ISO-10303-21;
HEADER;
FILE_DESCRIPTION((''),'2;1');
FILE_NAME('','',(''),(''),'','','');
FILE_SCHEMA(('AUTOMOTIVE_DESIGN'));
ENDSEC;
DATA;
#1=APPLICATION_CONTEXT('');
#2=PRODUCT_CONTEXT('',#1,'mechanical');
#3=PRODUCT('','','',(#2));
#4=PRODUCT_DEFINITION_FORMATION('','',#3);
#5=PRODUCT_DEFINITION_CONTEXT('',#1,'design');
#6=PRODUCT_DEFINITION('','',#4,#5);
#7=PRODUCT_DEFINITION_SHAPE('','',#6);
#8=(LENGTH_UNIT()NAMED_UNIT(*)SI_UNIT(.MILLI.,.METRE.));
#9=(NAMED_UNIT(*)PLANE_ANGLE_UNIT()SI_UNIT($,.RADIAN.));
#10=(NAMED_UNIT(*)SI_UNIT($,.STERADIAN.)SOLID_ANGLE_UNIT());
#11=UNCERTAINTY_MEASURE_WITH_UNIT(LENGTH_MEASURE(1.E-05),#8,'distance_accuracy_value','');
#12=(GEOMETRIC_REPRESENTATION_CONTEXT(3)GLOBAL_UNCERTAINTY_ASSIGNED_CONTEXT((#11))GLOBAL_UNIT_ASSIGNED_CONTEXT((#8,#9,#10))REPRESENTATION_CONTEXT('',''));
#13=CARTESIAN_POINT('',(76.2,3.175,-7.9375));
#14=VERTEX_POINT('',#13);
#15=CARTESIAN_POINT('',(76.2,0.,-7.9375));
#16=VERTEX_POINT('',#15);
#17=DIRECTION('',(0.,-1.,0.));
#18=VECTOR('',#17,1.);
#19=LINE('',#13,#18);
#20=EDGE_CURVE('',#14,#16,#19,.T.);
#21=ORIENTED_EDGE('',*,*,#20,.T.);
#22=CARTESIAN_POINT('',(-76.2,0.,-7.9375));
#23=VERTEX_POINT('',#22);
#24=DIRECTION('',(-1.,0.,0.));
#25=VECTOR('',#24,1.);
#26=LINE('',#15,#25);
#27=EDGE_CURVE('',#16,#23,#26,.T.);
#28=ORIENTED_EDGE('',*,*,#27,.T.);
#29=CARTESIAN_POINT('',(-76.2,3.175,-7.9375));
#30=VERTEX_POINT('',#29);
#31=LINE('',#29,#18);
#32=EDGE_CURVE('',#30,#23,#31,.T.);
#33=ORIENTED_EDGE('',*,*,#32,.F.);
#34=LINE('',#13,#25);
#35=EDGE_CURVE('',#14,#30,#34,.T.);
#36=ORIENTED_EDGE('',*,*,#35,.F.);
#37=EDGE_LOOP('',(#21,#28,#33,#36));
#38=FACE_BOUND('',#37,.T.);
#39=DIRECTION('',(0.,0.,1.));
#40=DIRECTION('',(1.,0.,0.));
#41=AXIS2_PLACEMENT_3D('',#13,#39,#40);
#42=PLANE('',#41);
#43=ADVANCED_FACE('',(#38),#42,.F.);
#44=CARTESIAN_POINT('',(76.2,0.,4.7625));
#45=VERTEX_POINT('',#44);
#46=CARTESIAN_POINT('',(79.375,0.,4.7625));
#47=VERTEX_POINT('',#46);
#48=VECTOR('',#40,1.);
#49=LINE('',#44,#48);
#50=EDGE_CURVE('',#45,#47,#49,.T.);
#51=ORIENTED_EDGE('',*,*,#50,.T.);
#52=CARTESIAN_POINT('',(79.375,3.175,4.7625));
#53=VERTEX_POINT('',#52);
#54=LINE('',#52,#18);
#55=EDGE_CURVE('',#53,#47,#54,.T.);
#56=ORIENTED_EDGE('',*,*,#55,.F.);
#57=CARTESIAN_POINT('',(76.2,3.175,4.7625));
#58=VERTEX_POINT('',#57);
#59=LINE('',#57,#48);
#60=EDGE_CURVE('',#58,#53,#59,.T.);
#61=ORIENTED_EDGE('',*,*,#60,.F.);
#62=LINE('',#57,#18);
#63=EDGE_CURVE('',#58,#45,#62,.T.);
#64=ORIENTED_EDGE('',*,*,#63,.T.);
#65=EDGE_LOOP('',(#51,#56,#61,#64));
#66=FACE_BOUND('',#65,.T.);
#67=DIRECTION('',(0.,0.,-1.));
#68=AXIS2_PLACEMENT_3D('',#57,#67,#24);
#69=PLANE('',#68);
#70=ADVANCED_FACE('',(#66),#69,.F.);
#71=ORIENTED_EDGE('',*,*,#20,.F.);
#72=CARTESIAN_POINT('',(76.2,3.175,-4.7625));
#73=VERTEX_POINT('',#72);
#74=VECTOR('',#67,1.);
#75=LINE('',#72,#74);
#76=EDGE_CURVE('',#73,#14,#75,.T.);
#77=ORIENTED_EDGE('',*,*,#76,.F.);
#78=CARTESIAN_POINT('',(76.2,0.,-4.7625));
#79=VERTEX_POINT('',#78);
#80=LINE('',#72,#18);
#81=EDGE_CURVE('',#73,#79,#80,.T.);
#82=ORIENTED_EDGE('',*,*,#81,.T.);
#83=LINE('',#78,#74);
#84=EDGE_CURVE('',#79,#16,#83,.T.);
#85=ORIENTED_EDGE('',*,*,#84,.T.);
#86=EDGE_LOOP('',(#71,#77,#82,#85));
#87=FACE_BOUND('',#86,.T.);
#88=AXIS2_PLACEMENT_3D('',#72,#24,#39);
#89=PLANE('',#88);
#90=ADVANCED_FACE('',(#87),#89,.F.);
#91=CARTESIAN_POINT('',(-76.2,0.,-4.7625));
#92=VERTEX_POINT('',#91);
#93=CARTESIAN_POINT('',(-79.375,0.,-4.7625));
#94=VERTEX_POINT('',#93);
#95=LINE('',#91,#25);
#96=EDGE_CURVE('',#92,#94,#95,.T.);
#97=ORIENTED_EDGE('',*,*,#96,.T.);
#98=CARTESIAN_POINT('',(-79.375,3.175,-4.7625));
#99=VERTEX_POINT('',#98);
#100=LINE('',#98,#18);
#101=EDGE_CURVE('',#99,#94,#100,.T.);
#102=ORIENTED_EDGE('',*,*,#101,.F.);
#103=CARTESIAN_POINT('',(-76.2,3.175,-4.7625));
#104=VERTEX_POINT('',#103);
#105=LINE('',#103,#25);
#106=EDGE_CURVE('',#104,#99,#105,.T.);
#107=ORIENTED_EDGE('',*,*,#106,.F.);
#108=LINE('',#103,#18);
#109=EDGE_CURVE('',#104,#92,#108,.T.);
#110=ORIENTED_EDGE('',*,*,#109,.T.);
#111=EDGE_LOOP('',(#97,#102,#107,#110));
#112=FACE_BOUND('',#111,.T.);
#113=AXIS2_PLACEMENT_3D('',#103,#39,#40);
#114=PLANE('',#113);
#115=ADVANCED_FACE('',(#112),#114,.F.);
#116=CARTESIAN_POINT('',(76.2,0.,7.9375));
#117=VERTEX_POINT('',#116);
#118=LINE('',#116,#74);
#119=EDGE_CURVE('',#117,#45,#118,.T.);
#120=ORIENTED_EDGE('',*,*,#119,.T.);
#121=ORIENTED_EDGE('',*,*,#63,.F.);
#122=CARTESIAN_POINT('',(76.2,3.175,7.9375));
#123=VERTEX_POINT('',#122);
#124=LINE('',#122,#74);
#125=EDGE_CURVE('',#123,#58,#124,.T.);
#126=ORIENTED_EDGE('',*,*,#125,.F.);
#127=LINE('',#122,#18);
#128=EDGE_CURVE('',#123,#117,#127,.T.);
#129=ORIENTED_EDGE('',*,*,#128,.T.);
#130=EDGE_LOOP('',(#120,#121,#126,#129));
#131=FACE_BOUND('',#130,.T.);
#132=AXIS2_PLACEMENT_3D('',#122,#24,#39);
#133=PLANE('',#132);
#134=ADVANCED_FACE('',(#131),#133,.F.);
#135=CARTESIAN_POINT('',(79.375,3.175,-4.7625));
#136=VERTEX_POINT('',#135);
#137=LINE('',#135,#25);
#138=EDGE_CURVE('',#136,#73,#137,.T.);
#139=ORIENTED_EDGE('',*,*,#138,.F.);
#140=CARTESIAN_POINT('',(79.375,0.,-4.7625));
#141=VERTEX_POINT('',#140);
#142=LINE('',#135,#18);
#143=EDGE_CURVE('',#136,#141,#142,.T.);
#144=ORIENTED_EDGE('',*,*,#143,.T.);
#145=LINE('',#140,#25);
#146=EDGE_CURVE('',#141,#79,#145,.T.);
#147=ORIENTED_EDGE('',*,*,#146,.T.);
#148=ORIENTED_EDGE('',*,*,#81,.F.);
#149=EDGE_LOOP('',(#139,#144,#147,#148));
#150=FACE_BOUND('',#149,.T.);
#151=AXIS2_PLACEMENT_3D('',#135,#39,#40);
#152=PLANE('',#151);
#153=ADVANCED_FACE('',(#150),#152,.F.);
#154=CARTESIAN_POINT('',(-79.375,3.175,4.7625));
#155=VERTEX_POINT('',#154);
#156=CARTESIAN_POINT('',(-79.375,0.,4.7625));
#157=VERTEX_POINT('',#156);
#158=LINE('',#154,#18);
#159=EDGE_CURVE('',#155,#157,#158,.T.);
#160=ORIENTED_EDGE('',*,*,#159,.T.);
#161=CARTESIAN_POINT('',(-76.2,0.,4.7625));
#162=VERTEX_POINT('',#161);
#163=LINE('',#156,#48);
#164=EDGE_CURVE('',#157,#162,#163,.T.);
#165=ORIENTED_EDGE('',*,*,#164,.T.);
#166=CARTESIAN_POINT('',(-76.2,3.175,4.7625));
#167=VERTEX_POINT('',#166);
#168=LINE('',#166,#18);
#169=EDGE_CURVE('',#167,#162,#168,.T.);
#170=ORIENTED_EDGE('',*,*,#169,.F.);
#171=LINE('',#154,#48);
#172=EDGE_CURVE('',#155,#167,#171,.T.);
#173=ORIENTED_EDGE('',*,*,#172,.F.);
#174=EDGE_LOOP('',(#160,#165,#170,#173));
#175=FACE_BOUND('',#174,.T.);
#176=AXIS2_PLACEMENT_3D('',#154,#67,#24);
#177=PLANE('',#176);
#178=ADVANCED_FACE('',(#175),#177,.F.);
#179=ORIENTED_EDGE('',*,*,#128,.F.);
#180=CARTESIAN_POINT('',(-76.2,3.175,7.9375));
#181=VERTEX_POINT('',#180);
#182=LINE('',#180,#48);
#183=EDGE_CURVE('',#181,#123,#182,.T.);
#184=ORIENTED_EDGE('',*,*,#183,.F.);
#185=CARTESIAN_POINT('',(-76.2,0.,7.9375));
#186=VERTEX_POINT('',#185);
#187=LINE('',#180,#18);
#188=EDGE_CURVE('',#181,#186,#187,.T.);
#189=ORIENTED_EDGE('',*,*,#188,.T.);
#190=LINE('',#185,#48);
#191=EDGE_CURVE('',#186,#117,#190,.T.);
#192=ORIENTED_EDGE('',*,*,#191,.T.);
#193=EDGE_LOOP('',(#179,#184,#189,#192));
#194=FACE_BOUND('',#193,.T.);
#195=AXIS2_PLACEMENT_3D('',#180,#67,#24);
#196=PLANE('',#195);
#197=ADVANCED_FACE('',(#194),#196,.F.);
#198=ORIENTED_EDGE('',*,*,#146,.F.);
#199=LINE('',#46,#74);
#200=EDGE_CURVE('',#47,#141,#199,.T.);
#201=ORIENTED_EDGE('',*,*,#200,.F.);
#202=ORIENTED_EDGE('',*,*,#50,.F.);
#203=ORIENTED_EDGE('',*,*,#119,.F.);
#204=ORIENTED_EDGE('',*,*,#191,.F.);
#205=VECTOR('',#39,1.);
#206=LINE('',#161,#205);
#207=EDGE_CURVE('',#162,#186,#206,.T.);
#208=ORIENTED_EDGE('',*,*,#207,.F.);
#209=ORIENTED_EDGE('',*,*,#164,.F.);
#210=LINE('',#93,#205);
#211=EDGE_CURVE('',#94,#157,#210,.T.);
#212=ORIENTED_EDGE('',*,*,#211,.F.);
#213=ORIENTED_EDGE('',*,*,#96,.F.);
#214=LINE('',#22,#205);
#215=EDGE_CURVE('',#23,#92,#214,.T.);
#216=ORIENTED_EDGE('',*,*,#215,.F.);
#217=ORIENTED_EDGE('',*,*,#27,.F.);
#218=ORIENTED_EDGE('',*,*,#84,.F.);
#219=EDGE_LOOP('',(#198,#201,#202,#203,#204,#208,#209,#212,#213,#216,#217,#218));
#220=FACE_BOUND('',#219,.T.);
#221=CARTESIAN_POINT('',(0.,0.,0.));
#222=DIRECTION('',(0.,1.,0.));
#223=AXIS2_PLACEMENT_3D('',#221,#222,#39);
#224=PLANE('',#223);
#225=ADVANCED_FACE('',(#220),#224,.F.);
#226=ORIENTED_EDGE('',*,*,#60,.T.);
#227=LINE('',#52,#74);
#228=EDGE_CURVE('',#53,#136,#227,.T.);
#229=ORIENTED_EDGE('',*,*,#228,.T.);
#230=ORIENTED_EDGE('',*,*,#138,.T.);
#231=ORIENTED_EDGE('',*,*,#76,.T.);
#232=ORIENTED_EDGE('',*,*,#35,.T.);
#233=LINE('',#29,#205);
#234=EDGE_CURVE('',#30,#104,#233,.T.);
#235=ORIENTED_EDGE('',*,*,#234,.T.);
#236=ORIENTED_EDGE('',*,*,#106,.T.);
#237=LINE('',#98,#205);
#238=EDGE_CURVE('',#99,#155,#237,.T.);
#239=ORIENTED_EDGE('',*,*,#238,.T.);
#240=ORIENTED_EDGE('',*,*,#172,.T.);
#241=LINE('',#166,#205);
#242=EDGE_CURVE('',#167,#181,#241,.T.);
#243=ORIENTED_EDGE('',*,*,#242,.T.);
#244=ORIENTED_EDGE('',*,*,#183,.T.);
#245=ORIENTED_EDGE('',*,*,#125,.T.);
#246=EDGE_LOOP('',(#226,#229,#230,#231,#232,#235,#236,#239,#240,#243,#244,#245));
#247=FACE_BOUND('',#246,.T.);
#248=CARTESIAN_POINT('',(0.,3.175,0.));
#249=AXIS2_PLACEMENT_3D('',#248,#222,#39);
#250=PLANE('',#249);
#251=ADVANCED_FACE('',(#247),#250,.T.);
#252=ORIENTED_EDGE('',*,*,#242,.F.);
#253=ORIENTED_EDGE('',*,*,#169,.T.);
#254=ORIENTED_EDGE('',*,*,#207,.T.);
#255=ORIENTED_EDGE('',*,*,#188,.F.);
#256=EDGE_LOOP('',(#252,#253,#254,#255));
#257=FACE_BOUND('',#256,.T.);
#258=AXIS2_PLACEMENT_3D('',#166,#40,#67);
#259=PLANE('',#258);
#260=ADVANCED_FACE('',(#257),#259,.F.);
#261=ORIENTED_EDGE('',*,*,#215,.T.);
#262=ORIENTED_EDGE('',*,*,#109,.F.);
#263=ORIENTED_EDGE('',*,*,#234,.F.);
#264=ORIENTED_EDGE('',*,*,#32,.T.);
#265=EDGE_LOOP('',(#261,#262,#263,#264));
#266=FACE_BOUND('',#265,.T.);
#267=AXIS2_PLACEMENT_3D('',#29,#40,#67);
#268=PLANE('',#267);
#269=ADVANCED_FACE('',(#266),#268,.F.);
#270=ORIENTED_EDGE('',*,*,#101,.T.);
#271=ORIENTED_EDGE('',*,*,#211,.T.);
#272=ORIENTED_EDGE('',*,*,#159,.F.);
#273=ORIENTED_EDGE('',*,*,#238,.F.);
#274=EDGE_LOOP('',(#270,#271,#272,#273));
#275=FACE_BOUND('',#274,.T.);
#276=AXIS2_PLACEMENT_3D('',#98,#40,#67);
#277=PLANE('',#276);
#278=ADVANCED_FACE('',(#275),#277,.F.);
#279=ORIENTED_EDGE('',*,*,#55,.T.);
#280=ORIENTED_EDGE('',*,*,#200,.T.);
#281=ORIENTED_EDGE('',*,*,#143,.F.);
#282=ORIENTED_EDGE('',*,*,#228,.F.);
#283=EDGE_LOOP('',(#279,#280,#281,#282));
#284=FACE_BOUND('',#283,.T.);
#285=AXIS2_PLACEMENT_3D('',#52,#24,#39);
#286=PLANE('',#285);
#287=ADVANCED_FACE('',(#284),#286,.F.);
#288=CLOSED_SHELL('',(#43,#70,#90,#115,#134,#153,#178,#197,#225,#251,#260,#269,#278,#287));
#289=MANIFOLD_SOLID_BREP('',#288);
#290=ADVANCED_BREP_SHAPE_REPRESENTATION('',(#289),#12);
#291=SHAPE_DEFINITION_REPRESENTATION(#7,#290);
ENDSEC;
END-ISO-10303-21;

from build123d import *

# Parameters (mm, degrees)
BOSS_EXTRUDE1_DEPTH = 3.175


with BuildPart() as part:
    # Sketch1 → Boss-Extrude1 (new body)
    with BuildSketch(Plane(origin=(0, 0, 0), x_dir=(1, 0, 0), z_dir=(0, 1, 0))):
        Polygon((-76.2, -7.9375), (76.2, -7.9375), (76.2, -4.7625), (79.375, -4.7625), (79.375, 4.7625), (76.2, 4.7625), (76.2, 7.9375), (-76.2, 7.9375), (-76.2, 4.7625), (-79.375, 4.7625), (-79.375, -4.7625), (-76.2, -4.7625), align=None)
    extrude(amount=BOSS_EXTRUDE1_DEPTH)


solid = part.part
